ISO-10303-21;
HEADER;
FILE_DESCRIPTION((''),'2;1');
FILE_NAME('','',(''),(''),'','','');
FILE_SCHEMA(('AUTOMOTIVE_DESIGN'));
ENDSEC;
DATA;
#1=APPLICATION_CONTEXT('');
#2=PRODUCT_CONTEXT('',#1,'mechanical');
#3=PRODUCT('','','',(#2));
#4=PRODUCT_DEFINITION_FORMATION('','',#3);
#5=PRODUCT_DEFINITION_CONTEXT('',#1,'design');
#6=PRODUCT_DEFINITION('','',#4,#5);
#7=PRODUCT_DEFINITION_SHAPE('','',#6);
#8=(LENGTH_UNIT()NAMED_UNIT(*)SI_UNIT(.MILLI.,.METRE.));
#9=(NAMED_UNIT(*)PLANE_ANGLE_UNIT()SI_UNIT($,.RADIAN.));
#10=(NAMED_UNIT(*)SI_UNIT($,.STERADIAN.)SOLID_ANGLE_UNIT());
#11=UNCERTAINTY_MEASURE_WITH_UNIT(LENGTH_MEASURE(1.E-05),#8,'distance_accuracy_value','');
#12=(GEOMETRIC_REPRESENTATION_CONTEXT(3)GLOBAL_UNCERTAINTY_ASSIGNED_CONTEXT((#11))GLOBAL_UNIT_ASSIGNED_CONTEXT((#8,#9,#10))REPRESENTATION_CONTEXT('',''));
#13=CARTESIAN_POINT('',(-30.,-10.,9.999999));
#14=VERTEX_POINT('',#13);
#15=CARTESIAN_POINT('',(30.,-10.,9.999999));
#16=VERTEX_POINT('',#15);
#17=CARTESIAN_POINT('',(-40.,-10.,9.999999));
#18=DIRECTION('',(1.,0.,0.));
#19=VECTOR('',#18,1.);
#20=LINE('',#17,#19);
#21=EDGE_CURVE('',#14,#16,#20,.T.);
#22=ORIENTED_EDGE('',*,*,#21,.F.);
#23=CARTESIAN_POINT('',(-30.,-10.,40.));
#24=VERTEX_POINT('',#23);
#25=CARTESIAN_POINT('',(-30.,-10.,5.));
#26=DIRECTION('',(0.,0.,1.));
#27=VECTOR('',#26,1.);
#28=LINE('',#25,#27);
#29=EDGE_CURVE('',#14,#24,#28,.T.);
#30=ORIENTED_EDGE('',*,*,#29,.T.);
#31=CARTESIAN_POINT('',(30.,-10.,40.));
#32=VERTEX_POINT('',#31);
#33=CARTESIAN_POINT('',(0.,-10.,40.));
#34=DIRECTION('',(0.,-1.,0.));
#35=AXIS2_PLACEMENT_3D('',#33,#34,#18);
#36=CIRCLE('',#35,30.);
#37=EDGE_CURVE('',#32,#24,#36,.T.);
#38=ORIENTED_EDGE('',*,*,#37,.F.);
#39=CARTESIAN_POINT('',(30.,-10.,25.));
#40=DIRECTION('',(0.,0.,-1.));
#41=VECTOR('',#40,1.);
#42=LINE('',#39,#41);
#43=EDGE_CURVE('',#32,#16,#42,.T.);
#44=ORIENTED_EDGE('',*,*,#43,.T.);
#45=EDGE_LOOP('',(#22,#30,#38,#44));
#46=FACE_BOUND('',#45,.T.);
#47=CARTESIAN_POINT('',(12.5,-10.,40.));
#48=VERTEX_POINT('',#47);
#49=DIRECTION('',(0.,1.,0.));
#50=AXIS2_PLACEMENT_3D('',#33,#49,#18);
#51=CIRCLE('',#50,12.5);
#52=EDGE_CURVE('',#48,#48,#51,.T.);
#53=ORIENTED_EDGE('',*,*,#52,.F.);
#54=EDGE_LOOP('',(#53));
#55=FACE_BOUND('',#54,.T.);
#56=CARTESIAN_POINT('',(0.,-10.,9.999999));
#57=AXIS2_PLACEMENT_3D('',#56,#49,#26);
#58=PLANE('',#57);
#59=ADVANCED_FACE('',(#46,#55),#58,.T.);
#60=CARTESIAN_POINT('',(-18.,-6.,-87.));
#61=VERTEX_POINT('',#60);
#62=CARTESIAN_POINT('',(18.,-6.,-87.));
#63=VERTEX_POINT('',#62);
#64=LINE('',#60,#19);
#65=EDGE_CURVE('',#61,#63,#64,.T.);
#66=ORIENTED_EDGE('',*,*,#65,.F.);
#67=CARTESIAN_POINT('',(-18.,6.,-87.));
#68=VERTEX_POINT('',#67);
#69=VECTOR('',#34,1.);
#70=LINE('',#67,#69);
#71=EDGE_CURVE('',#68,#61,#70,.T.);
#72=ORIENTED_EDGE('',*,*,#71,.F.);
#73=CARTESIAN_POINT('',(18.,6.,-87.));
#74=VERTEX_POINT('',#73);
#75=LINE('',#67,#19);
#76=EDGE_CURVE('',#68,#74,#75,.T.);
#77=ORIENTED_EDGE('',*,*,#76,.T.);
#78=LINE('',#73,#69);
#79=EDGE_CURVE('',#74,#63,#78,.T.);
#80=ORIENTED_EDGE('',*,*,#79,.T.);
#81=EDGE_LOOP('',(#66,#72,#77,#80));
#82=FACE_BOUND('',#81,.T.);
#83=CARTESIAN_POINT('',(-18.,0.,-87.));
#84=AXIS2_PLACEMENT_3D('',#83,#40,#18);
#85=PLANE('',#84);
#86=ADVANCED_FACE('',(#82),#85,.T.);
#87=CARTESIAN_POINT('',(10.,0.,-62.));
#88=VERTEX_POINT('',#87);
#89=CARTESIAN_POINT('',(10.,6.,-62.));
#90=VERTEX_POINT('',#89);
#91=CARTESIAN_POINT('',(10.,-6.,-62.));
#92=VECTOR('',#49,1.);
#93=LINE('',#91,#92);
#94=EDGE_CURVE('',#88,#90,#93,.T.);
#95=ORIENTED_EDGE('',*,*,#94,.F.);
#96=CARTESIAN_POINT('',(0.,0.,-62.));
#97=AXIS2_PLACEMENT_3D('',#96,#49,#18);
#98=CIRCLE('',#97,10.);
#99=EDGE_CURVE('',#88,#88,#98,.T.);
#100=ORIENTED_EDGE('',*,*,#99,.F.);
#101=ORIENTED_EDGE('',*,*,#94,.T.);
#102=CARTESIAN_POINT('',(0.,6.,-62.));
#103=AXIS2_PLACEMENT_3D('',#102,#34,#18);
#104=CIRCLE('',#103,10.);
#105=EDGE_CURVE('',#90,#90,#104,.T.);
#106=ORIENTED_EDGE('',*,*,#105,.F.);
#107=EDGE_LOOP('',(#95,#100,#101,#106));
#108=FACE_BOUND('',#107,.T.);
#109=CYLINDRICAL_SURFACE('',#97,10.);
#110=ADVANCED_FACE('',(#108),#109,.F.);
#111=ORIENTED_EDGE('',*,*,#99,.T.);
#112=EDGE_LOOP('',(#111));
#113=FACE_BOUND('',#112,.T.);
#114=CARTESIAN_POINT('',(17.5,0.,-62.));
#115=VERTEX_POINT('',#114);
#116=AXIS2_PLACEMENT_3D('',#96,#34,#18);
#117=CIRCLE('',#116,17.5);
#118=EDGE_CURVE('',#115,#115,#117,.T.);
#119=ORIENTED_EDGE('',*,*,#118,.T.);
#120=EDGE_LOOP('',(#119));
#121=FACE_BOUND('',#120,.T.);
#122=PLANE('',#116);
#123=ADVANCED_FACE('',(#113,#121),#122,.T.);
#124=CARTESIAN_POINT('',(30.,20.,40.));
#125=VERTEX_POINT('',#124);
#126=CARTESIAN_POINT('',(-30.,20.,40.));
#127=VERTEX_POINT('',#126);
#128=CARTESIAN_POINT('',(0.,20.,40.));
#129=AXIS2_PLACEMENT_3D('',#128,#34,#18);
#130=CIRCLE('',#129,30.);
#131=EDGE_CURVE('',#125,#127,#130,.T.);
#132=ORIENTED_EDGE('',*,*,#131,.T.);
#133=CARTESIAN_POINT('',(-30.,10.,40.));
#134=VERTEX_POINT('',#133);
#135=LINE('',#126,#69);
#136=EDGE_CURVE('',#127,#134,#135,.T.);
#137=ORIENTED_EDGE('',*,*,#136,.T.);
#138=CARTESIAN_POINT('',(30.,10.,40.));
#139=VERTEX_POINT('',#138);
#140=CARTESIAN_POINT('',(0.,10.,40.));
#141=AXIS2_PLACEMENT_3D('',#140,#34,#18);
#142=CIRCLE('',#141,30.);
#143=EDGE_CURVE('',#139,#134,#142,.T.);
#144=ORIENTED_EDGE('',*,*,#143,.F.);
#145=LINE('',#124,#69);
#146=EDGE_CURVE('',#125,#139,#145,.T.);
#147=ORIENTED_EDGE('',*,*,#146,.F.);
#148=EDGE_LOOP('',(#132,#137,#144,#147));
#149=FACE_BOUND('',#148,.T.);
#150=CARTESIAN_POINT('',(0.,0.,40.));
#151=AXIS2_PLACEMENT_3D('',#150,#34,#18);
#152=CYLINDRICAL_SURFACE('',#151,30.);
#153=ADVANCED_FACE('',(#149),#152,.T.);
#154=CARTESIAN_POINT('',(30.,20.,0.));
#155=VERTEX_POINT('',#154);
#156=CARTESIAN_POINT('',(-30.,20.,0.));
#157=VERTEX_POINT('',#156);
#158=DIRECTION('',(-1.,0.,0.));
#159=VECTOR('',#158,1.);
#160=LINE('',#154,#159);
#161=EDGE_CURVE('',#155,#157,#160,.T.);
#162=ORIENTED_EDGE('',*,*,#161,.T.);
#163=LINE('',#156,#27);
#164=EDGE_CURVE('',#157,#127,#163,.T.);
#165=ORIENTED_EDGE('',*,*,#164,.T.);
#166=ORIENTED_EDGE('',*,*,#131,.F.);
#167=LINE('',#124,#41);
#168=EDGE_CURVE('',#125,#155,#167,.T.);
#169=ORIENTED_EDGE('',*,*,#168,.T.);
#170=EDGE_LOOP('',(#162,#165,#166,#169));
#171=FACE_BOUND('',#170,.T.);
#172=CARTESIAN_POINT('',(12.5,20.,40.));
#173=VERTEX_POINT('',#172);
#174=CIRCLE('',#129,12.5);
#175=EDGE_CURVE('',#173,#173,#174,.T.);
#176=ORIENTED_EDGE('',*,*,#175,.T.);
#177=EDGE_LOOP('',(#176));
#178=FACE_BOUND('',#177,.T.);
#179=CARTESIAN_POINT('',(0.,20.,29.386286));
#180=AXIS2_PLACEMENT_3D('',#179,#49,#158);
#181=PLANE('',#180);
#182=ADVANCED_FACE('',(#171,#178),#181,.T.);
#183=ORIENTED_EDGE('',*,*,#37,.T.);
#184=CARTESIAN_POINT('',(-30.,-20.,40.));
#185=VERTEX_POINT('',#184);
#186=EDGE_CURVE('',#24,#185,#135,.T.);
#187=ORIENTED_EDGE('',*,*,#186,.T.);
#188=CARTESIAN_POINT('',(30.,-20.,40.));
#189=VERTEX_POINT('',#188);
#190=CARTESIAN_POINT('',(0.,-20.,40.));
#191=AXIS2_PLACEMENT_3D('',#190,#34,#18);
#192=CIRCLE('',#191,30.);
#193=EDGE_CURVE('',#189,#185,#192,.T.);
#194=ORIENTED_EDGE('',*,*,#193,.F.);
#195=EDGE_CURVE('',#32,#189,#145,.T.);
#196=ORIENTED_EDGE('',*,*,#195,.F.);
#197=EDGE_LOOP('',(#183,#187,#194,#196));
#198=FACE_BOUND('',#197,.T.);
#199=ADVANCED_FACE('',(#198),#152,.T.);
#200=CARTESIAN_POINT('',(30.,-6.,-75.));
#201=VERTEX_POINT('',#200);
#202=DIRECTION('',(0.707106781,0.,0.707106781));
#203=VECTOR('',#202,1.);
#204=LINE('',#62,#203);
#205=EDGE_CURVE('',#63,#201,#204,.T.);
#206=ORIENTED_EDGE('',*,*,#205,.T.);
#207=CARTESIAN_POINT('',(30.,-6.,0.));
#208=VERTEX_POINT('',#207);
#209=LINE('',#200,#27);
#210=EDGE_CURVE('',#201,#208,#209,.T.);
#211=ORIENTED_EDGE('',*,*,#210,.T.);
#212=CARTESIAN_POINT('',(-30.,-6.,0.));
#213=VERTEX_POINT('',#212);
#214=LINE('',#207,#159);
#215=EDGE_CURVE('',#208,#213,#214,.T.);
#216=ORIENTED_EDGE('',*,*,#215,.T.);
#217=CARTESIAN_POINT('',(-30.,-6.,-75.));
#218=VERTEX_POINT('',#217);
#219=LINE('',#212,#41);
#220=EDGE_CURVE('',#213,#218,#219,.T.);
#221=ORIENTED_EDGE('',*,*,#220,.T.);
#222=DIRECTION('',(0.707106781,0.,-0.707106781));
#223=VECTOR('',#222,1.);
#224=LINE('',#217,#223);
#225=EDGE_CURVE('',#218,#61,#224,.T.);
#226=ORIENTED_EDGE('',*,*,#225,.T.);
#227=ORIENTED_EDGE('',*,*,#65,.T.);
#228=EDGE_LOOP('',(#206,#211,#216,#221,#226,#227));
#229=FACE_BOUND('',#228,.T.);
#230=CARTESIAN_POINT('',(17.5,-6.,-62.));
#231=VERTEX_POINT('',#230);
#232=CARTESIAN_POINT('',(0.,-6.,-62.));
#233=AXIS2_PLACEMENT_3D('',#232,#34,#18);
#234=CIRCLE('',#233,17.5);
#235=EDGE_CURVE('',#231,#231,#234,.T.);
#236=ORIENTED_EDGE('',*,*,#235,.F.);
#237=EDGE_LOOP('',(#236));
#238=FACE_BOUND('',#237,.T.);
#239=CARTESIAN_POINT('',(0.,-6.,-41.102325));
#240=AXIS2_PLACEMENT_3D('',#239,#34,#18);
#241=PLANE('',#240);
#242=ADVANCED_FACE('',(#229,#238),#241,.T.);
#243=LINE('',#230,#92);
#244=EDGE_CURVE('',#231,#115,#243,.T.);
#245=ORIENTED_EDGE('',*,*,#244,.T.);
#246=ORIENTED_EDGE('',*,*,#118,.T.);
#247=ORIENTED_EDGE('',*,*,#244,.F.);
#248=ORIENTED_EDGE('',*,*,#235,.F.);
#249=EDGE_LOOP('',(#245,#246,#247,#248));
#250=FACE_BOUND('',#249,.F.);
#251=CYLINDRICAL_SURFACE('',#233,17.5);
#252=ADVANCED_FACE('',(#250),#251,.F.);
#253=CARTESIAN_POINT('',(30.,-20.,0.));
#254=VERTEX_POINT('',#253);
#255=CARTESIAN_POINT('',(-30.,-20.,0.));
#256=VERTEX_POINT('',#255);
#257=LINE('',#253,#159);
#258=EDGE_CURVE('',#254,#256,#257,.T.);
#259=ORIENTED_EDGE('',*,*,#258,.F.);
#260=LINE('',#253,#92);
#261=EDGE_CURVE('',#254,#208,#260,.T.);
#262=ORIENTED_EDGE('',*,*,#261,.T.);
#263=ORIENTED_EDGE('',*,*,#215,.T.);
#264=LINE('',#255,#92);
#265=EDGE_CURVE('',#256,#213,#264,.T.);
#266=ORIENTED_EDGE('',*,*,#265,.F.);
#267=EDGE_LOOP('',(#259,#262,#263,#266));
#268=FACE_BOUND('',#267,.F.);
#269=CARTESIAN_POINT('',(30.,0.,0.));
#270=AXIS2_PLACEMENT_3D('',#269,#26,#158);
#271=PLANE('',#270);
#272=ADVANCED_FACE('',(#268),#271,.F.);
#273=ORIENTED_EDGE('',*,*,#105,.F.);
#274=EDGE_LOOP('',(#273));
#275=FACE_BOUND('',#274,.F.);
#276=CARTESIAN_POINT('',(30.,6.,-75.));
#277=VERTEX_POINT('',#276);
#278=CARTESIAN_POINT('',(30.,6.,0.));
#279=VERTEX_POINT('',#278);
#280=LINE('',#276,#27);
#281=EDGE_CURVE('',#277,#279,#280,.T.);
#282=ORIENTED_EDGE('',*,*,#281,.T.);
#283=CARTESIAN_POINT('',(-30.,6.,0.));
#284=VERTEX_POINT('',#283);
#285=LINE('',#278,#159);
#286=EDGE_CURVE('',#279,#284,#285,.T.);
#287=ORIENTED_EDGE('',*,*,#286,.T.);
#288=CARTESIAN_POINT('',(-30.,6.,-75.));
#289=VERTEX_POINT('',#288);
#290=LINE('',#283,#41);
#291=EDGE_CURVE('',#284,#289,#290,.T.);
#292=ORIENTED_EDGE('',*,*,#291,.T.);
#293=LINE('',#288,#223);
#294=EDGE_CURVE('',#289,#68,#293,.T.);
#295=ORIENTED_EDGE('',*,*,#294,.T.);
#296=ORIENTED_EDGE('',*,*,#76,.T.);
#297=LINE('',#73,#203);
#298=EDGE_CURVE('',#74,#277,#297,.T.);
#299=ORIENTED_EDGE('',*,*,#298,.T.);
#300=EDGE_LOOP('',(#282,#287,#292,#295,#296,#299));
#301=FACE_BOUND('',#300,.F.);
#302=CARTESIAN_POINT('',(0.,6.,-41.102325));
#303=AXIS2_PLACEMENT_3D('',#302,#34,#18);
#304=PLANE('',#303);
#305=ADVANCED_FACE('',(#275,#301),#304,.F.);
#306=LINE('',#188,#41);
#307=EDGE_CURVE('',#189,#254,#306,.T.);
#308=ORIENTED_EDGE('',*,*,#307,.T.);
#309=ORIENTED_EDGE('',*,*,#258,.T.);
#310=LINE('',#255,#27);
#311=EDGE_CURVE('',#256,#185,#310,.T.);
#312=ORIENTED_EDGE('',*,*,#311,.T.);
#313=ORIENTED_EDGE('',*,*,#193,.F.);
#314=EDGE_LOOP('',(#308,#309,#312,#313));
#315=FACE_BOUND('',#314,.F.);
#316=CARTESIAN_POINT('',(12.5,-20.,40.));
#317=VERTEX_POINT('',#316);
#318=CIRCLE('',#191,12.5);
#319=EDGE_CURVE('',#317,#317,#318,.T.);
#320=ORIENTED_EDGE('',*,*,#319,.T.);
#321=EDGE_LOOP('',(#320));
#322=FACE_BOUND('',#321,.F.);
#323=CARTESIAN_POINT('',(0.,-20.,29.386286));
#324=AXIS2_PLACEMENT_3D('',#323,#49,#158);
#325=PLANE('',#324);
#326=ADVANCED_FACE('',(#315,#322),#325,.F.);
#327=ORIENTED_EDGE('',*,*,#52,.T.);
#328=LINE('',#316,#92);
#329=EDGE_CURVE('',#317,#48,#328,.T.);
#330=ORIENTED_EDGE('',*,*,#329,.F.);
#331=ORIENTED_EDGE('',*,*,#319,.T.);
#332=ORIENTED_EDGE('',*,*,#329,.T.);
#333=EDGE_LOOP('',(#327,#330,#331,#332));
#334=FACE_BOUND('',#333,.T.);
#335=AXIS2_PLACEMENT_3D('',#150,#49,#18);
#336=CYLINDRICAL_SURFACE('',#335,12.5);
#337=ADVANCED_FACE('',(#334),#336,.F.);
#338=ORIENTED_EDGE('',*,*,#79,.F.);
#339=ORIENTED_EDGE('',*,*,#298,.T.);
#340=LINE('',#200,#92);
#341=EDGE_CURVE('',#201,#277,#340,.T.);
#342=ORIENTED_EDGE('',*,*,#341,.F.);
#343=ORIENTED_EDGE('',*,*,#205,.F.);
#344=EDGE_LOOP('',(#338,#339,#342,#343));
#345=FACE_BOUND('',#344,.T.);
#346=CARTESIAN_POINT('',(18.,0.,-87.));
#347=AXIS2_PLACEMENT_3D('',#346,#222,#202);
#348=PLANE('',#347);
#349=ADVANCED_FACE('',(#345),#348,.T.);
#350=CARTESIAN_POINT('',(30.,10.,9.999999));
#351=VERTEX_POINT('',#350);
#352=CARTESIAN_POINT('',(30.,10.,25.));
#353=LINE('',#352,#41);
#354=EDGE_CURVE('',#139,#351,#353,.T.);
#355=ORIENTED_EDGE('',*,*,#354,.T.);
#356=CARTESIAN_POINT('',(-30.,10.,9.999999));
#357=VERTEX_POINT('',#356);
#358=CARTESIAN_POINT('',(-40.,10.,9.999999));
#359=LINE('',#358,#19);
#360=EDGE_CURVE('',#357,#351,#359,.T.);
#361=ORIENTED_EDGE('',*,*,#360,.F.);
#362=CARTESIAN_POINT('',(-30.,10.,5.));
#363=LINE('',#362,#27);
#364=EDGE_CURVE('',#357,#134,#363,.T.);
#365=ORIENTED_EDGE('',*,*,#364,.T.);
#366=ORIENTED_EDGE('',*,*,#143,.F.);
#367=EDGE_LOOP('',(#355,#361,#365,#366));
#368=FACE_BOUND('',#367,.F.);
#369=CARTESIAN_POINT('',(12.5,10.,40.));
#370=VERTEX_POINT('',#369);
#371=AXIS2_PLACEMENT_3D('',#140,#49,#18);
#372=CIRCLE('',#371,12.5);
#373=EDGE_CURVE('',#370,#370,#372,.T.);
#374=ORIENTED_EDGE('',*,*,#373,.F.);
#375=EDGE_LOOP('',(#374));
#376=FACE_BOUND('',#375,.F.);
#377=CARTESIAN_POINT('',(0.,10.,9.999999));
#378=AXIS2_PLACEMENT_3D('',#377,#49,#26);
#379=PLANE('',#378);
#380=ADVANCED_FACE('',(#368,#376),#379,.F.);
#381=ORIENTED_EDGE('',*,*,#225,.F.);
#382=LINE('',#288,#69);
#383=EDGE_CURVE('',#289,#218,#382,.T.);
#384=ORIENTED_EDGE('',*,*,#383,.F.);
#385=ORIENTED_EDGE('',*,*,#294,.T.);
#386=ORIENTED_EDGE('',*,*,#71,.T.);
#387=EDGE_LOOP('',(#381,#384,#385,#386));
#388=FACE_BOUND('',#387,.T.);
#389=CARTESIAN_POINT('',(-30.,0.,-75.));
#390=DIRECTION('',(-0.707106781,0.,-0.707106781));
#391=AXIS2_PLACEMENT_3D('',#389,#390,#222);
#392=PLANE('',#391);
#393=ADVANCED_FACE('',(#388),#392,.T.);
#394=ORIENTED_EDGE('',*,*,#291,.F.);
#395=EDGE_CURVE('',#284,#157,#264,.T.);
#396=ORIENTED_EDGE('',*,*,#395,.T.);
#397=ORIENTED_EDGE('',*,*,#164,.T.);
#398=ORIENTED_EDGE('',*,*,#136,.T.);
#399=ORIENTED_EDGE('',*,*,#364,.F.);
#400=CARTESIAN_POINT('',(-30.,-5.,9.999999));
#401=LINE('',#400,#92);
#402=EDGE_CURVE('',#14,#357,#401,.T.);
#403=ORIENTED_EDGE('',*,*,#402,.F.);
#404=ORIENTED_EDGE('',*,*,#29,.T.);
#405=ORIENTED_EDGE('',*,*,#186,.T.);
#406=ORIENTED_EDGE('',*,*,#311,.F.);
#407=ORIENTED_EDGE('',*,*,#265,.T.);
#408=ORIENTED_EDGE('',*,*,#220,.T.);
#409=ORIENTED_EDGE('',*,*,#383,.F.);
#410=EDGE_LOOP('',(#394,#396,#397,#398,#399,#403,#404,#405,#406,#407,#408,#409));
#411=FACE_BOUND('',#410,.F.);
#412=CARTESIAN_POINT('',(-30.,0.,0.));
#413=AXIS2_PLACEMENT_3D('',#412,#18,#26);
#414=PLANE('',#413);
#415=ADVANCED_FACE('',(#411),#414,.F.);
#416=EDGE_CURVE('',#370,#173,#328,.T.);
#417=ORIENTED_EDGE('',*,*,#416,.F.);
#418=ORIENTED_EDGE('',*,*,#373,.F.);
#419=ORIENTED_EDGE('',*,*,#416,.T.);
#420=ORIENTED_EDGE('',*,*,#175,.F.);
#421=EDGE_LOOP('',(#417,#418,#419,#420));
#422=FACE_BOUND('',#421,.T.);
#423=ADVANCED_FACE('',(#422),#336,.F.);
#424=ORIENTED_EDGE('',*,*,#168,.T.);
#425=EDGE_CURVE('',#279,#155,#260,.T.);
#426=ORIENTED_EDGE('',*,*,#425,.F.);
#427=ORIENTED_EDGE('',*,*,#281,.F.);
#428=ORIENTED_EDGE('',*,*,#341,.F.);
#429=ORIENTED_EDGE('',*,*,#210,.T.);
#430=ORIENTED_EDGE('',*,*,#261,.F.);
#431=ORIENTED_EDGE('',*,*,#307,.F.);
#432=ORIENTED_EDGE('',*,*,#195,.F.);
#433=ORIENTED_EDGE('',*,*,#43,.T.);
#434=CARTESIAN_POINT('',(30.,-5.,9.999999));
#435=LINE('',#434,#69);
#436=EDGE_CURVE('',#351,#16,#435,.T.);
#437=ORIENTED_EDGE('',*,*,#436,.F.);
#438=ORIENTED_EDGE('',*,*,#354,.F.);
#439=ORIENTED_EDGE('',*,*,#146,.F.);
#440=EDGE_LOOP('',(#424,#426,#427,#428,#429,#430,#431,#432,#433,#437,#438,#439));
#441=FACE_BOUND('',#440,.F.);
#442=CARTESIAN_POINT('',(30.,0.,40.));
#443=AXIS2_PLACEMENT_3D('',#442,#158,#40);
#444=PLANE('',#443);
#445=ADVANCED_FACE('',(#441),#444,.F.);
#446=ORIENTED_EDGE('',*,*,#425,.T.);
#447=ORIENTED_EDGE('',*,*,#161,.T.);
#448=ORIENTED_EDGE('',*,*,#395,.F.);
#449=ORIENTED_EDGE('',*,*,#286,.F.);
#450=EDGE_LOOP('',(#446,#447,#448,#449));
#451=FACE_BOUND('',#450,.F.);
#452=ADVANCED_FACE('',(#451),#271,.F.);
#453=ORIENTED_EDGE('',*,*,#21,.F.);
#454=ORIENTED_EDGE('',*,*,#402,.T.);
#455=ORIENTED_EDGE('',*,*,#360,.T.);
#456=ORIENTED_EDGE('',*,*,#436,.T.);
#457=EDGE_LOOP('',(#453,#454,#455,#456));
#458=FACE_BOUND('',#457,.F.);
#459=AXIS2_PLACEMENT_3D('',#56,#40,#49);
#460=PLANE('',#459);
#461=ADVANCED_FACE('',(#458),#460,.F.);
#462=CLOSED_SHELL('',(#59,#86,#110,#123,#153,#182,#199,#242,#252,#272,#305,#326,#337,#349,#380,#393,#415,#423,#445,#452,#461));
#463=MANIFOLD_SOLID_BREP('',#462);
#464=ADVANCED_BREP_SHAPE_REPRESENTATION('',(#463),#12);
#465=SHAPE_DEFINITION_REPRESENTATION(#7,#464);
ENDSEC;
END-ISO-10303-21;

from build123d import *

# Parameters (mm, degrees)
SKETCH001_W  = 20
SKETCH001_H  = 80.939507
PAD001_DEPTH = 40
SKETCH_R     = 12.5
PAD_DEPTH    = 20
SKETCH002_R  = 10
PAD002_DEPTH = 6
SKETCH003_R  = 17.5
POCKET_DEPTH = 6


with BuildPart() as pad001:
    # Sketch001 → Pad001 (new body, symmetric)
    with BuildSketch(Plane.YZ):
        with Locations((0, 50.469753)):
            Rectangle(SKETCH001_W, SKETCH001_H)
    extrude(amount=PAD001_DEPTH, both=True)


with BuildPart() as cut:
    # Sketch → Pad (new body, symmetric)
    with BuildSketch(Plane.XZ):
        with BuildLine():
            Line((30, 40), (30, 0))
            Line((30, 0), (-30, 0))
            Line((-30, 0), (-30, 40))
            ThreePointArc((30, 40), (0, 70), (-30, 40))
        make_face()
        with Locations((0, 40)):
            Circle(SKETCH_R, mode=Mode.SUBTRACT)
    extrude(amount=PAD_DEPTH, both=True)

    # Cut: cut Pad001
    add(pad001.part, mode=Mode.SUBTRACT)


with BuildPart() as fusion:
    # Sketch002 → Pad002 (new body, symmetric)
    with BuildSketch(Plane.XZ):
        Polygon((-30, 0), (-30, -75), (-18, -87), (18, -87), (30, -75), (30, 0), align=None)
        with Locations((0, -62)):
            Circle(SKETCH002_R, mode=Mode.SUBTRACT)
    extrude(amount=PAD002_DEPTH, both=True)

    # Sketch003 → Pocket (cut)
    with BuildSketch(Plane.XZ.offset(6)):
        with Locations((0, -62)):
            Circle(SKETCH003_R)
    extrude(amount=-POCKET_DEPTH, mode=Mode.SUBTRACT)

    # Fusion: union Cut
    add(cut.part)


solid = fusion.part
